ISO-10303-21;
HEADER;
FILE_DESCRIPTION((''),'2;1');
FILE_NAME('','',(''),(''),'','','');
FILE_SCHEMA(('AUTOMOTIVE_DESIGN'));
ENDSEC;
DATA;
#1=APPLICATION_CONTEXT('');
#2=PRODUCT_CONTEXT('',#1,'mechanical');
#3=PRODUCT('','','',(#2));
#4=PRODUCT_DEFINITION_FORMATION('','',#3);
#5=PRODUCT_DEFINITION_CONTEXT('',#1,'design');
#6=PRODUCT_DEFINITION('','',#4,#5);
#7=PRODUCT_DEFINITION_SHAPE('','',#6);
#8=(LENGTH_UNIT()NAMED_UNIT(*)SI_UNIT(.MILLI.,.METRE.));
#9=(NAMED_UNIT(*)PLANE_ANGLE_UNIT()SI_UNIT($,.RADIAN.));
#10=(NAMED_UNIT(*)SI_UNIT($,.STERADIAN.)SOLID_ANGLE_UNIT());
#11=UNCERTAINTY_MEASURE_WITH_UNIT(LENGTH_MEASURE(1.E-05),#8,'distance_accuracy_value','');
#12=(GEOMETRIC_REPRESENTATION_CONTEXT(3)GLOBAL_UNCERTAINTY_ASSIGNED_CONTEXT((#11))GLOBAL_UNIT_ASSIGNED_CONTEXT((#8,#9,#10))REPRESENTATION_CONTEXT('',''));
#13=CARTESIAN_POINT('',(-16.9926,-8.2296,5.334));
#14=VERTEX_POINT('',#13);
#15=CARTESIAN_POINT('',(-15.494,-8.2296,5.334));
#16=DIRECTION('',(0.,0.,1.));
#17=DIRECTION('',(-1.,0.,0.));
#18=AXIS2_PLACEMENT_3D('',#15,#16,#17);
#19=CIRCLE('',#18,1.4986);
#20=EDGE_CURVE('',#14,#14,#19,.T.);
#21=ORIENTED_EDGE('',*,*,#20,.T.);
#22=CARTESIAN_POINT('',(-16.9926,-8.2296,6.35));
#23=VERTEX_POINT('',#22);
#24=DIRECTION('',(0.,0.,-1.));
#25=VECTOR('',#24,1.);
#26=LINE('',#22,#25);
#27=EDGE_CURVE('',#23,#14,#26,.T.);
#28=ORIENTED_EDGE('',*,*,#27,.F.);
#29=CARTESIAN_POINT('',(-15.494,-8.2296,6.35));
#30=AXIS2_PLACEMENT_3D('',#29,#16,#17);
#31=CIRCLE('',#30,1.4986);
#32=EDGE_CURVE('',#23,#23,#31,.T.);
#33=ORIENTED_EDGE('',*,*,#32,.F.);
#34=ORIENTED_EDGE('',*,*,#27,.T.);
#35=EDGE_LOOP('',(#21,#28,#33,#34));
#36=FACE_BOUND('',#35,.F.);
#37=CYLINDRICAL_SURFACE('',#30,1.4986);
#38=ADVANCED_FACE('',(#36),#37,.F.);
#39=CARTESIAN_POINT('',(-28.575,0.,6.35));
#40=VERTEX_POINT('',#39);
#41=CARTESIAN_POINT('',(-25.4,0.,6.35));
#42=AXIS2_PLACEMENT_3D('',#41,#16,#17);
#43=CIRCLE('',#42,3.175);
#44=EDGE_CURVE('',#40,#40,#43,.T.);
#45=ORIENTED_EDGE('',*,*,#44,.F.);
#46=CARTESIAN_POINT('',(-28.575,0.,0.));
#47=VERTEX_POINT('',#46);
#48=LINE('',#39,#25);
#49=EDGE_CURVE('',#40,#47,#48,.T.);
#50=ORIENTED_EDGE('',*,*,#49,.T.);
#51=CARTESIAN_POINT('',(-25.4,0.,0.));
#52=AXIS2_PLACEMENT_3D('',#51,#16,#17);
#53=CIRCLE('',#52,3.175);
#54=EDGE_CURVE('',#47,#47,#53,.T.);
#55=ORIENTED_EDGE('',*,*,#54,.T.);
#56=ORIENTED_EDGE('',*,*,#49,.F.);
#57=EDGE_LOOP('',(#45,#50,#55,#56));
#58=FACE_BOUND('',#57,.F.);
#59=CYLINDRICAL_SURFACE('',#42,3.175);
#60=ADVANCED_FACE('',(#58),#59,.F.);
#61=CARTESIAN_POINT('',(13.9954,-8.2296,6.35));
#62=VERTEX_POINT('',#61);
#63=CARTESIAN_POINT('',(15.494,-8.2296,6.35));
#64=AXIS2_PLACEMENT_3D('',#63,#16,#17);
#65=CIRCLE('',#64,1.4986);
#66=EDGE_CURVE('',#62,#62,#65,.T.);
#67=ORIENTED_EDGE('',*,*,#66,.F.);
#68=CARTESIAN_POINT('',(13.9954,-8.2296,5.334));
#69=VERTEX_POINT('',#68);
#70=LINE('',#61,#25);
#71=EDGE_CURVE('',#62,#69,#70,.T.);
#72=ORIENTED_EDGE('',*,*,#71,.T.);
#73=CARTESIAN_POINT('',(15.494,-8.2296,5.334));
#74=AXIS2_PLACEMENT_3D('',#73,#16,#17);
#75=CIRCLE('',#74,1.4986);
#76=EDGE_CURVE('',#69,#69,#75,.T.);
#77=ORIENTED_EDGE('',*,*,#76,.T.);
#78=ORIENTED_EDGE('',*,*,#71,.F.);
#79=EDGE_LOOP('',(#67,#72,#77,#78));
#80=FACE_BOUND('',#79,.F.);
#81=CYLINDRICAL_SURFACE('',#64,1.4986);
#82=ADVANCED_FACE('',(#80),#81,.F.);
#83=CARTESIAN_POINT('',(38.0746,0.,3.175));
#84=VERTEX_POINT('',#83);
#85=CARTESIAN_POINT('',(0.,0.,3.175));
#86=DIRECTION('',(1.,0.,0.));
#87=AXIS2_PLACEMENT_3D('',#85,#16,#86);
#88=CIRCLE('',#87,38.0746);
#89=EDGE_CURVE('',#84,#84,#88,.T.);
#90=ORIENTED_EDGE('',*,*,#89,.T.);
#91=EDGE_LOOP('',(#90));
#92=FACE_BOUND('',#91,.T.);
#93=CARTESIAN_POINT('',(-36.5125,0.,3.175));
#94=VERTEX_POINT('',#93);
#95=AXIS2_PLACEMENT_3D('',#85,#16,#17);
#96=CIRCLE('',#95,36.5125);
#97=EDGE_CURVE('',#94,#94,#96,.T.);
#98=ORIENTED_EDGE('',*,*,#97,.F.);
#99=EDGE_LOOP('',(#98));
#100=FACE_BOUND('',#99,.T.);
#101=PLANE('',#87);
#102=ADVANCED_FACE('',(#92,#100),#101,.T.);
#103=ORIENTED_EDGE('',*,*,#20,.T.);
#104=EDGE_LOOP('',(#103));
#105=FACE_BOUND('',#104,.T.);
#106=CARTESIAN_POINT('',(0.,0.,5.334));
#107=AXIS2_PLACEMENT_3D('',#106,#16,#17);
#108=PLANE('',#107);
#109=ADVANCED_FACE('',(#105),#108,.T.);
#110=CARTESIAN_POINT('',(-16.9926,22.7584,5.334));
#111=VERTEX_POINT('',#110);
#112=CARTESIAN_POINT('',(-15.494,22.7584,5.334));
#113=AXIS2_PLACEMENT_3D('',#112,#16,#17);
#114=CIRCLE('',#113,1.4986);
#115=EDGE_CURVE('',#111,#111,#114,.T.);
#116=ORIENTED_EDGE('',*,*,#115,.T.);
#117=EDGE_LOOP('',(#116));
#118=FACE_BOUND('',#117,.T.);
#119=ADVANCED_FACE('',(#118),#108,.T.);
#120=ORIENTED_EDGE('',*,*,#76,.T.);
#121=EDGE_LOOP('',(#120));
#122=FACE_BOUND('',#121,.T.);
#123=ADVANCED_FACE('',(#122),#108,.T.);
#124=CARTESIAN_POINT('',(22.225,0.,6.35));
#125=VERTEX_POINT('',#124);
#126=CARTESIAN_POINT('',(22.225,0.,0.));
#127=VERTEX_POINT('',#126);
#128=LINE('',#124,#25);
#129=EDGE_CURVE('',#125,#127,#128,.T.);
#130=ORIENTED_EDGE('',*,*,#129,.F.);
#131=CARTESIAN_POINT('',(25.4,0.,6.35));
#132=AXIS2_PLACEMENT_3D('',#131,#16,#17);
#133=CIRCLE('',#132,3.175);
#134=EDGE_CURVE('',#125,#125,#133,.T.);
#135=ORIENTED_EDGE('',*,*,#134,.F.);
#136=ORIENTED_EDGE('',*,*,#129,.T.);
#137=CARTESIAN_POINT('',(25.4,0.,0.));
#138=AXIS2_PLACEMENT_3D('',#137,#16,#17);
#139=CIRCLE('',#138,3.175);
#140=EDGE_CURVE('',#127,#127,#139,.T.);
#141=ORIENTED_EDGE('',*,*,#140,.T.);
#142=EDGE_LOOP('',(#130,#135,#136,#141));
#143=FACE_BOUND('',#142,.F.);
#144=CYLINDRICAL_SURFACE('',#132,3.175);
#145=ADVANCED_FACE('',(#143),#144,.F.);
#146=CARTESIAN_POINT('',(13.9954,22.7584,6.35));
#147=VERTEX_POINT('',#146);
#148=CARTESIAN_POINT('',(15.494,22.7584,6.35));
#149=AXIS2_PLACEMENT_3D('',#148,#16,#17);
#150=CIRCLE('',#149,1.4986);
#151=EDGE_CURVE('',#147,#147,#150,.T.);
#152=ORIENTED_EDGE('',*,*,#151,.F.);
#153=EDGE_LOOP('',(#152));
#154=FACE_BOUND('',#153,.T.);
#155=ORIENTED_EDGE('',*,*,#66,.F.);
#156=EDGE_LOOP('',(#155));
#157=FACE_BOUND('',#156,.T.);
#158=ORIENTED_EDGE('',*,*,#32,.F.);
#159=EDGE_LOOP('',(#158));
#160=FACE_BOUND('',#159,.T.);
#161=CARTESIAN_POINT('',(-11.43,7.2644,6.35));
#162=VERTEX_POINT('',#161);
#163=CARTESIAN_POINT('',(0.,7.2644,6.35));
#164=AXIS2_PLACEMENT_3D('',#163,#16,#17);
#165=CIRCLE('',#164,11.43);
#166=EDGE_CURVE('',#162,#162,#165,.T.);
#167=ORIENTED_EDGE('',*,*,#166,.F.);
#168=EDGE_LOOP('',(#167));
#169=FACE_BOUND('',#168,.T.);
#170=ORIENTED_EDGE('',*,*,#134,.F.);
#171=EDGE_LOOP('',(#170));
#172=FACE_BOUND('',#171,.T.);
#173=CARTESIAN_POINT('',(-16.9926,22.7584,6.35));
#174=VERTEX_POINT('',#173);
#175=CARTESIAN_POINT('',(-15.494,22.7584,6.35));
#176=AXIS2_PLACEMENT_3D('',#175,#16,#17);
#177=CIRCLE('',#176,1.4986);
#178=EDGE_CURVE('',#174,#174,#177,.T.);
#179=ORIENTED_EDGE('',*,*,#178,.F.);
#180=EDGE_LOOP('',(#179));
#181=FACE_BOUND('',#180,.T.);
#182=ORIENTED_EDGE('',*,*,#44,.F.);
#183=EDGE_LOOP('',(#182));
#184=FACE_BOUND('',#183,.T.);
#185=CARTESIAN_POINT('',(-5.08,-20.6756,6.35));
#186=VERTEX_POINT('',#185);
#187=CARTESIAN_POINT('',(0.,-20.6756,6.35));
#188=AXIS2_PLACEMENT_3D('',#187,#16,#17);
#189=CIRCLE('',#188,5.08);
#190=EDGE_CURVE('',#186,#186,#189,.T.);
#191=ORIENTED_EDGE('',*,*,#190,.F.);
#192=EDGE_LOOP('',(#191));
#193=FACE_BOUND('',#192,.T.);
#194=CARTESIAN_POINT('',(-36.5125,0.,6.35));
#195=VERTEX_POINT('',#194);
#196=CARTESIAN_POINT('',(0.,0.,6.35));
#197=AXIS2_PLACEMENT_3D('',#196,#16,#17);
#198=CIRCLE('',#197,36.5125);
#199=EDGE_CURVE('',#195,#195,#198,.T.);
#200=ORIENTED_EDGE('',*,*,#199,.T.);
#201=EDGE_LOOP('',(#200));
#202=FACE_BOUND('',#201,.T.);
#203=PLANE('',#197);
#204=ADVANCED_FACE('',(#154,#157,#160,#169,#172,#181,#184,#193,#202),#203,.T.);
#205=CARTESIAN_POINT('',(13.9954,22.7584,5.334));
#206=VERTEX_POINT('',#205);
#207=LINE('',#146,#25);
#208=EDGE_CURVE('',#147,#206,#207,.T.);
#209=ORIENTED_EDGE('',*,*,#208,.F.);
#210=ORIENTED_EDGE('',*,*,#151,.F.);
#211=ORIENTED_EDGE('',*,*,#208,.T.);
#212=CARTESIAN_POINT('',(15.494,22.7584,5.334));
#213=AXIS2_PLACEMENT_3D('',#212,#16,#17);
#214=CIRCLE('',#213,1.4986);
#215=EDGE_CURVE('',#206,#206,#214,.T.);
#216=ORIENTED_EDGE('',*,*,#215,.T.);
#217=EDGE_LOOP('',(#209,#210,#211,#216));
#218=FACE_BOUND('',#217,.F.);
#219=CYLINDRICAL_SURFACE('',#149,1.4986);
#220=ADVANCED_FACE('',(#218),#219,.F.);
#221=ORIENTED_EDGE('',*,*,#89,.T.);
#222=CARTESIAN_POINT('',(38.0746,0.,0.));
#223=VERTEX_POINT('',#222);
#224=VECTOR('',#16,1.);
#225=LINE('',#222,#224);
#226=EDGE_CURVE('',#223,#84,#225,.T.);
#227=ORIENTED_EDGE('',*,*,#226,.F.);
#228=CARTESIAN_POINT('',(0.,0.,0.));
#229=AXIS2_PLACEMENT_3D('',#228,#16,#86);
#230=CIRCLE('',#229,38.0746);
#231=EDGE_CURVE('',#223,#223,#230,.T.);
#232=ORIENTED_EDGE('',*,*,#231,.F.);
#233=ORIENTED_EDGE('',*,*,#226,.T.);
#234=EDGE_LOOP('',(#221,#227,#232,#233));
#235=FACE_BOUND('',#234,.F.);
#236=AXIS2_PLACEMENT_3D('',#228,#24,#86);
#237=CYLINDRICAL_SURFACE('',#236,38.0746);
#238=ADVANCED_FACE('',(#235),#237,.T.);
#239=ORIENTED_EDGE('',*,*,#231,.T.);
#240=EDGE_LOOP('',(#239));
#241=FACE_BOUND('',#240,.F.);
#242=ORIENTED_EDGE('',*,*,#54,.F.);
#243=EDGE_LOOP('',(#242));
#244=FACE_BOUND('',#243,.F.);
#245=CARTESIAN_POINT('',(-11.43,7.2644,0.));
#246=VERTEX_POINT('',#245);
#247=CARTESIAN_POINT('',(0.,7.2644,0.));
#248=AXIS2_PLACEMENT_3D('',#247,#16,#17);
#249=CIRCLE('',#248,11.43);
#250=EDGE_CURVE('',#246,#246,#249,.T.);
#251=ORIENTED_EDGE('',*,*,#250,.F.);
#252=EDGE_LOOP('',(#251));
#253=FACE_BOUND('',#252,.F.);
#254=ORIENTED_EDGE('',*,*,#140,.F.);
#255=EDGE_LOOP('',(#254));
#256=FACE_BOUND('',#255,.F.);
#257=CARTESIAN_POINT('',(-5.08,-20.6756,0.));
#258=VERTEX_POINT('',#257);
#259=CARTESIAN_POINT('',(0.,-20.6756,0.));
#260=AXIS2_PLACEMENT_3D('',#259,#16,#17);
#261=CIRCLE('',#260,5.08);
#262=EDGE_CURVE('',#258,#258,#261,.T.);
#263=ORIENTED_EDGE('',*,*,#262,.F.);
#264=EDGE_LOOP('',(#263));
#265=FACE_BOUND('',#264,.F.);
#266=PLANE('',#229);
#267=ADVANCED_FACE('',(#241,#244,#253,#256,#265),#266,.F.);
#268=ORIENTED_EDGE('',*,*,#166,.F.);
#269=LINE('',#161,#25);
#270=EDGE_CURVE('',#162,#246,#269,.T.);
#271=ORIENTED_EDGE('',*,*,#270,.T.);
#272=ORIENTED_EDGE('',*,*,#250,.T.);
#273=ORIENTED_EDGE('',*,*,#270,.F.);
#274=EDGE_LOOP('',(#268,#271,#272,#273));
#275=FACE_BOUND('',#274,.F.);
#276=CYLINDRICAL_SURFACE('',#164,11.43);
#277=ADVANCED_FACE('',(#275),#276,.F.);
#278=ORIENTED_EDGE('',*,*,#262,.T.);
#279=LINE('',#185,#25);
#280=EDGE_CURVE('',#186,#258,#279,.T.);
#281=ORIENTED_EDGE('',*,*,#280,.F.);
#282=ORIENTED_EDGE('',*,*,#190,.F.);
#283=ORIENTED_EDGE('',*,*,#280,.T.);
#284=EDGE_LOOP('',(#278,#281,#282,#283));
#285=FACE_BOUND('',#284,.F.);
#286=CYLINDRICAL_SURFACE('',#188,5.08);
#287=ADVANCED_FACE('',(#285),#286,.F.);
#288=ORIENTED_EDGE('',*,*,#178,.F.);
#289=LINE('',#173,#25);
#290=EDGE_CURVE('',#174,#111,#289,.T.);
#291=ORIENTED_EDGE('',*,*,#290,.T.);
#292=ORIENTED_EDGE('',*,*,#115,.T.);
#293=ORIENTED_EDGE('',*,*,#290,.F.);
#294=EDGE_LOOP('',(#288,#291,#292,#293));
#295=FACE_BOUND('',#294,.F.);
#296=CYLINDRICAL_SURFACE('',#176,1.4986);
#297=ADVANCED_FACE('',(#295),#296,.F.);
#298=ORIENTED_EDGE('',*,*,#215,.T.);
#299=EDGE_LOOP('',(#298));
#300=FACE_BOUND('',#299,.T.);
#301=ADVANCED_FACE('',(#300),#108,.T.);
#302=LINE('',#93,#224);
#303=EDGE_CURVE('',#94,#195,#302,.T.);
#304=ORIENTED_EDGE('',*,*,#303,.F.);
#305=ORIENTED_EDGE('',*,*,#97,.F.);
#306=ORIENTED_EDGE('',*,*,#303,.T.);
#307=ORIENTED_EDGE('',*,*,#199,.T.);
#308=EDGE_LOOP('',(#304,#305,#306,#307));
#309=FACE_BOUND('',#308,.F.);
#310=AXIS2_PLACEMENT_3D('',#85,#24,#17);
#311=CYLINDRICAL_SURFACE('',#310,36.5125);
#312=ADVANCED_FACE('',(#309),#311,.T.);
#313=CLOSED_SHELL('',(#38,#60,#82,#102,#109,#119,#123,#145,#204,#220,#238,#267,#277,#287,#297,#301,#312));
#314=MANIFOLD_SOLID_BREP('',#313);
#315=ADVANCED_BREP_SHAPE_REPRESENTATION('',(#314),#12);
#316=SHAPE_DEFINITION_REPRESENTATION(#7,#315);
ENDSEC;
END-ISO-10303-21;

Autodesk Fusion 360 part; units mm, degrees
sketch "Sketch1" plane through (0, 0, 0) normal (0, 0, 1) x (1, 0, 0)
  circle A0 centre (0, 0) radius 38.0746
  dimension "d1" = 76.1492
extrude "Extrude1" add sketch "Sketch1" along normal blind 3.175
sketch "Sketch2" plane through (0, 0, 3.175) normal (0, 0, 1) x (-1, 0, 0)
  circle A0 centre (0, 0) radius 38.0746
  circle A1 centre (0, 0) radius 36.5125
  dimension "d4" = 73.025
extrude "Extrude2" add sketch "Sketch2" along normal blind 3.175 contours A1
sketch "Sketch3" plane through (0, 0, 6.35) normal (0, 0, 1) x (-1, 0, 0)
  circle A0 centre (0, 0) radius 36.5125
  circle A1 centre (25.4, 0) radius 3.175
  circle A2 centre (-25.4, 0) radius 3.175
  circle A3 centre (0, -7.2644) radius 11.43
  circle A4 centre (0, 20.6756) radius 5.08
  circle A5 centre (0, 0) radius 38.0746
  dimension "d7" = 6.35
  dimension "d8" = 6.35
  dimension "d9" = 50.8
  dimension "d10" = 25.4
  dimension "d11" = 10.16
  dimension "d12" = 20.6756
  dimension "d13" = 22.86
  dimension "d14" = 27.94
extrude "Extrude3" cut sketch "Sketch3" against normal blind 22.86 contours A1 | A2 | A3 | A4
sketch "Sketch4" plane through (0, 0, 6.35) normal (0, 0, 1) x (-1, 0, 0)
  circle A0 centre (-25.4, 0) radius 3.175
  circle A1 centre (0, 20.6756) radius 5.08
  circle A2 centre (0, -7.2644) radius 11.43
  circle A3 centre (25.4, 0) radius 3.175
  circle A4 centre (0, 0) radius 36.5125
  circle A5 centre (15.494, -22.7584) radius 1.4986
  circle A6 centre (15.494, 8.2296) radius 1.4986
  circle A7 centre (-15.494, 8.2296) radius 1.4986
  circle A8 centre (-15.494, -22.7584) radius 1.4986
  dimension "d17" = 2.9972
  dimension "d18" = 30.988
  dimension "d19" = 15.494
  dimension "d20" = 15.494
  dimension "d21" = 30.988
extrude "Extrude4" cut sketch "Sketch4" against normal blind 1.016 contours A5 | A6 | A7 | A8
